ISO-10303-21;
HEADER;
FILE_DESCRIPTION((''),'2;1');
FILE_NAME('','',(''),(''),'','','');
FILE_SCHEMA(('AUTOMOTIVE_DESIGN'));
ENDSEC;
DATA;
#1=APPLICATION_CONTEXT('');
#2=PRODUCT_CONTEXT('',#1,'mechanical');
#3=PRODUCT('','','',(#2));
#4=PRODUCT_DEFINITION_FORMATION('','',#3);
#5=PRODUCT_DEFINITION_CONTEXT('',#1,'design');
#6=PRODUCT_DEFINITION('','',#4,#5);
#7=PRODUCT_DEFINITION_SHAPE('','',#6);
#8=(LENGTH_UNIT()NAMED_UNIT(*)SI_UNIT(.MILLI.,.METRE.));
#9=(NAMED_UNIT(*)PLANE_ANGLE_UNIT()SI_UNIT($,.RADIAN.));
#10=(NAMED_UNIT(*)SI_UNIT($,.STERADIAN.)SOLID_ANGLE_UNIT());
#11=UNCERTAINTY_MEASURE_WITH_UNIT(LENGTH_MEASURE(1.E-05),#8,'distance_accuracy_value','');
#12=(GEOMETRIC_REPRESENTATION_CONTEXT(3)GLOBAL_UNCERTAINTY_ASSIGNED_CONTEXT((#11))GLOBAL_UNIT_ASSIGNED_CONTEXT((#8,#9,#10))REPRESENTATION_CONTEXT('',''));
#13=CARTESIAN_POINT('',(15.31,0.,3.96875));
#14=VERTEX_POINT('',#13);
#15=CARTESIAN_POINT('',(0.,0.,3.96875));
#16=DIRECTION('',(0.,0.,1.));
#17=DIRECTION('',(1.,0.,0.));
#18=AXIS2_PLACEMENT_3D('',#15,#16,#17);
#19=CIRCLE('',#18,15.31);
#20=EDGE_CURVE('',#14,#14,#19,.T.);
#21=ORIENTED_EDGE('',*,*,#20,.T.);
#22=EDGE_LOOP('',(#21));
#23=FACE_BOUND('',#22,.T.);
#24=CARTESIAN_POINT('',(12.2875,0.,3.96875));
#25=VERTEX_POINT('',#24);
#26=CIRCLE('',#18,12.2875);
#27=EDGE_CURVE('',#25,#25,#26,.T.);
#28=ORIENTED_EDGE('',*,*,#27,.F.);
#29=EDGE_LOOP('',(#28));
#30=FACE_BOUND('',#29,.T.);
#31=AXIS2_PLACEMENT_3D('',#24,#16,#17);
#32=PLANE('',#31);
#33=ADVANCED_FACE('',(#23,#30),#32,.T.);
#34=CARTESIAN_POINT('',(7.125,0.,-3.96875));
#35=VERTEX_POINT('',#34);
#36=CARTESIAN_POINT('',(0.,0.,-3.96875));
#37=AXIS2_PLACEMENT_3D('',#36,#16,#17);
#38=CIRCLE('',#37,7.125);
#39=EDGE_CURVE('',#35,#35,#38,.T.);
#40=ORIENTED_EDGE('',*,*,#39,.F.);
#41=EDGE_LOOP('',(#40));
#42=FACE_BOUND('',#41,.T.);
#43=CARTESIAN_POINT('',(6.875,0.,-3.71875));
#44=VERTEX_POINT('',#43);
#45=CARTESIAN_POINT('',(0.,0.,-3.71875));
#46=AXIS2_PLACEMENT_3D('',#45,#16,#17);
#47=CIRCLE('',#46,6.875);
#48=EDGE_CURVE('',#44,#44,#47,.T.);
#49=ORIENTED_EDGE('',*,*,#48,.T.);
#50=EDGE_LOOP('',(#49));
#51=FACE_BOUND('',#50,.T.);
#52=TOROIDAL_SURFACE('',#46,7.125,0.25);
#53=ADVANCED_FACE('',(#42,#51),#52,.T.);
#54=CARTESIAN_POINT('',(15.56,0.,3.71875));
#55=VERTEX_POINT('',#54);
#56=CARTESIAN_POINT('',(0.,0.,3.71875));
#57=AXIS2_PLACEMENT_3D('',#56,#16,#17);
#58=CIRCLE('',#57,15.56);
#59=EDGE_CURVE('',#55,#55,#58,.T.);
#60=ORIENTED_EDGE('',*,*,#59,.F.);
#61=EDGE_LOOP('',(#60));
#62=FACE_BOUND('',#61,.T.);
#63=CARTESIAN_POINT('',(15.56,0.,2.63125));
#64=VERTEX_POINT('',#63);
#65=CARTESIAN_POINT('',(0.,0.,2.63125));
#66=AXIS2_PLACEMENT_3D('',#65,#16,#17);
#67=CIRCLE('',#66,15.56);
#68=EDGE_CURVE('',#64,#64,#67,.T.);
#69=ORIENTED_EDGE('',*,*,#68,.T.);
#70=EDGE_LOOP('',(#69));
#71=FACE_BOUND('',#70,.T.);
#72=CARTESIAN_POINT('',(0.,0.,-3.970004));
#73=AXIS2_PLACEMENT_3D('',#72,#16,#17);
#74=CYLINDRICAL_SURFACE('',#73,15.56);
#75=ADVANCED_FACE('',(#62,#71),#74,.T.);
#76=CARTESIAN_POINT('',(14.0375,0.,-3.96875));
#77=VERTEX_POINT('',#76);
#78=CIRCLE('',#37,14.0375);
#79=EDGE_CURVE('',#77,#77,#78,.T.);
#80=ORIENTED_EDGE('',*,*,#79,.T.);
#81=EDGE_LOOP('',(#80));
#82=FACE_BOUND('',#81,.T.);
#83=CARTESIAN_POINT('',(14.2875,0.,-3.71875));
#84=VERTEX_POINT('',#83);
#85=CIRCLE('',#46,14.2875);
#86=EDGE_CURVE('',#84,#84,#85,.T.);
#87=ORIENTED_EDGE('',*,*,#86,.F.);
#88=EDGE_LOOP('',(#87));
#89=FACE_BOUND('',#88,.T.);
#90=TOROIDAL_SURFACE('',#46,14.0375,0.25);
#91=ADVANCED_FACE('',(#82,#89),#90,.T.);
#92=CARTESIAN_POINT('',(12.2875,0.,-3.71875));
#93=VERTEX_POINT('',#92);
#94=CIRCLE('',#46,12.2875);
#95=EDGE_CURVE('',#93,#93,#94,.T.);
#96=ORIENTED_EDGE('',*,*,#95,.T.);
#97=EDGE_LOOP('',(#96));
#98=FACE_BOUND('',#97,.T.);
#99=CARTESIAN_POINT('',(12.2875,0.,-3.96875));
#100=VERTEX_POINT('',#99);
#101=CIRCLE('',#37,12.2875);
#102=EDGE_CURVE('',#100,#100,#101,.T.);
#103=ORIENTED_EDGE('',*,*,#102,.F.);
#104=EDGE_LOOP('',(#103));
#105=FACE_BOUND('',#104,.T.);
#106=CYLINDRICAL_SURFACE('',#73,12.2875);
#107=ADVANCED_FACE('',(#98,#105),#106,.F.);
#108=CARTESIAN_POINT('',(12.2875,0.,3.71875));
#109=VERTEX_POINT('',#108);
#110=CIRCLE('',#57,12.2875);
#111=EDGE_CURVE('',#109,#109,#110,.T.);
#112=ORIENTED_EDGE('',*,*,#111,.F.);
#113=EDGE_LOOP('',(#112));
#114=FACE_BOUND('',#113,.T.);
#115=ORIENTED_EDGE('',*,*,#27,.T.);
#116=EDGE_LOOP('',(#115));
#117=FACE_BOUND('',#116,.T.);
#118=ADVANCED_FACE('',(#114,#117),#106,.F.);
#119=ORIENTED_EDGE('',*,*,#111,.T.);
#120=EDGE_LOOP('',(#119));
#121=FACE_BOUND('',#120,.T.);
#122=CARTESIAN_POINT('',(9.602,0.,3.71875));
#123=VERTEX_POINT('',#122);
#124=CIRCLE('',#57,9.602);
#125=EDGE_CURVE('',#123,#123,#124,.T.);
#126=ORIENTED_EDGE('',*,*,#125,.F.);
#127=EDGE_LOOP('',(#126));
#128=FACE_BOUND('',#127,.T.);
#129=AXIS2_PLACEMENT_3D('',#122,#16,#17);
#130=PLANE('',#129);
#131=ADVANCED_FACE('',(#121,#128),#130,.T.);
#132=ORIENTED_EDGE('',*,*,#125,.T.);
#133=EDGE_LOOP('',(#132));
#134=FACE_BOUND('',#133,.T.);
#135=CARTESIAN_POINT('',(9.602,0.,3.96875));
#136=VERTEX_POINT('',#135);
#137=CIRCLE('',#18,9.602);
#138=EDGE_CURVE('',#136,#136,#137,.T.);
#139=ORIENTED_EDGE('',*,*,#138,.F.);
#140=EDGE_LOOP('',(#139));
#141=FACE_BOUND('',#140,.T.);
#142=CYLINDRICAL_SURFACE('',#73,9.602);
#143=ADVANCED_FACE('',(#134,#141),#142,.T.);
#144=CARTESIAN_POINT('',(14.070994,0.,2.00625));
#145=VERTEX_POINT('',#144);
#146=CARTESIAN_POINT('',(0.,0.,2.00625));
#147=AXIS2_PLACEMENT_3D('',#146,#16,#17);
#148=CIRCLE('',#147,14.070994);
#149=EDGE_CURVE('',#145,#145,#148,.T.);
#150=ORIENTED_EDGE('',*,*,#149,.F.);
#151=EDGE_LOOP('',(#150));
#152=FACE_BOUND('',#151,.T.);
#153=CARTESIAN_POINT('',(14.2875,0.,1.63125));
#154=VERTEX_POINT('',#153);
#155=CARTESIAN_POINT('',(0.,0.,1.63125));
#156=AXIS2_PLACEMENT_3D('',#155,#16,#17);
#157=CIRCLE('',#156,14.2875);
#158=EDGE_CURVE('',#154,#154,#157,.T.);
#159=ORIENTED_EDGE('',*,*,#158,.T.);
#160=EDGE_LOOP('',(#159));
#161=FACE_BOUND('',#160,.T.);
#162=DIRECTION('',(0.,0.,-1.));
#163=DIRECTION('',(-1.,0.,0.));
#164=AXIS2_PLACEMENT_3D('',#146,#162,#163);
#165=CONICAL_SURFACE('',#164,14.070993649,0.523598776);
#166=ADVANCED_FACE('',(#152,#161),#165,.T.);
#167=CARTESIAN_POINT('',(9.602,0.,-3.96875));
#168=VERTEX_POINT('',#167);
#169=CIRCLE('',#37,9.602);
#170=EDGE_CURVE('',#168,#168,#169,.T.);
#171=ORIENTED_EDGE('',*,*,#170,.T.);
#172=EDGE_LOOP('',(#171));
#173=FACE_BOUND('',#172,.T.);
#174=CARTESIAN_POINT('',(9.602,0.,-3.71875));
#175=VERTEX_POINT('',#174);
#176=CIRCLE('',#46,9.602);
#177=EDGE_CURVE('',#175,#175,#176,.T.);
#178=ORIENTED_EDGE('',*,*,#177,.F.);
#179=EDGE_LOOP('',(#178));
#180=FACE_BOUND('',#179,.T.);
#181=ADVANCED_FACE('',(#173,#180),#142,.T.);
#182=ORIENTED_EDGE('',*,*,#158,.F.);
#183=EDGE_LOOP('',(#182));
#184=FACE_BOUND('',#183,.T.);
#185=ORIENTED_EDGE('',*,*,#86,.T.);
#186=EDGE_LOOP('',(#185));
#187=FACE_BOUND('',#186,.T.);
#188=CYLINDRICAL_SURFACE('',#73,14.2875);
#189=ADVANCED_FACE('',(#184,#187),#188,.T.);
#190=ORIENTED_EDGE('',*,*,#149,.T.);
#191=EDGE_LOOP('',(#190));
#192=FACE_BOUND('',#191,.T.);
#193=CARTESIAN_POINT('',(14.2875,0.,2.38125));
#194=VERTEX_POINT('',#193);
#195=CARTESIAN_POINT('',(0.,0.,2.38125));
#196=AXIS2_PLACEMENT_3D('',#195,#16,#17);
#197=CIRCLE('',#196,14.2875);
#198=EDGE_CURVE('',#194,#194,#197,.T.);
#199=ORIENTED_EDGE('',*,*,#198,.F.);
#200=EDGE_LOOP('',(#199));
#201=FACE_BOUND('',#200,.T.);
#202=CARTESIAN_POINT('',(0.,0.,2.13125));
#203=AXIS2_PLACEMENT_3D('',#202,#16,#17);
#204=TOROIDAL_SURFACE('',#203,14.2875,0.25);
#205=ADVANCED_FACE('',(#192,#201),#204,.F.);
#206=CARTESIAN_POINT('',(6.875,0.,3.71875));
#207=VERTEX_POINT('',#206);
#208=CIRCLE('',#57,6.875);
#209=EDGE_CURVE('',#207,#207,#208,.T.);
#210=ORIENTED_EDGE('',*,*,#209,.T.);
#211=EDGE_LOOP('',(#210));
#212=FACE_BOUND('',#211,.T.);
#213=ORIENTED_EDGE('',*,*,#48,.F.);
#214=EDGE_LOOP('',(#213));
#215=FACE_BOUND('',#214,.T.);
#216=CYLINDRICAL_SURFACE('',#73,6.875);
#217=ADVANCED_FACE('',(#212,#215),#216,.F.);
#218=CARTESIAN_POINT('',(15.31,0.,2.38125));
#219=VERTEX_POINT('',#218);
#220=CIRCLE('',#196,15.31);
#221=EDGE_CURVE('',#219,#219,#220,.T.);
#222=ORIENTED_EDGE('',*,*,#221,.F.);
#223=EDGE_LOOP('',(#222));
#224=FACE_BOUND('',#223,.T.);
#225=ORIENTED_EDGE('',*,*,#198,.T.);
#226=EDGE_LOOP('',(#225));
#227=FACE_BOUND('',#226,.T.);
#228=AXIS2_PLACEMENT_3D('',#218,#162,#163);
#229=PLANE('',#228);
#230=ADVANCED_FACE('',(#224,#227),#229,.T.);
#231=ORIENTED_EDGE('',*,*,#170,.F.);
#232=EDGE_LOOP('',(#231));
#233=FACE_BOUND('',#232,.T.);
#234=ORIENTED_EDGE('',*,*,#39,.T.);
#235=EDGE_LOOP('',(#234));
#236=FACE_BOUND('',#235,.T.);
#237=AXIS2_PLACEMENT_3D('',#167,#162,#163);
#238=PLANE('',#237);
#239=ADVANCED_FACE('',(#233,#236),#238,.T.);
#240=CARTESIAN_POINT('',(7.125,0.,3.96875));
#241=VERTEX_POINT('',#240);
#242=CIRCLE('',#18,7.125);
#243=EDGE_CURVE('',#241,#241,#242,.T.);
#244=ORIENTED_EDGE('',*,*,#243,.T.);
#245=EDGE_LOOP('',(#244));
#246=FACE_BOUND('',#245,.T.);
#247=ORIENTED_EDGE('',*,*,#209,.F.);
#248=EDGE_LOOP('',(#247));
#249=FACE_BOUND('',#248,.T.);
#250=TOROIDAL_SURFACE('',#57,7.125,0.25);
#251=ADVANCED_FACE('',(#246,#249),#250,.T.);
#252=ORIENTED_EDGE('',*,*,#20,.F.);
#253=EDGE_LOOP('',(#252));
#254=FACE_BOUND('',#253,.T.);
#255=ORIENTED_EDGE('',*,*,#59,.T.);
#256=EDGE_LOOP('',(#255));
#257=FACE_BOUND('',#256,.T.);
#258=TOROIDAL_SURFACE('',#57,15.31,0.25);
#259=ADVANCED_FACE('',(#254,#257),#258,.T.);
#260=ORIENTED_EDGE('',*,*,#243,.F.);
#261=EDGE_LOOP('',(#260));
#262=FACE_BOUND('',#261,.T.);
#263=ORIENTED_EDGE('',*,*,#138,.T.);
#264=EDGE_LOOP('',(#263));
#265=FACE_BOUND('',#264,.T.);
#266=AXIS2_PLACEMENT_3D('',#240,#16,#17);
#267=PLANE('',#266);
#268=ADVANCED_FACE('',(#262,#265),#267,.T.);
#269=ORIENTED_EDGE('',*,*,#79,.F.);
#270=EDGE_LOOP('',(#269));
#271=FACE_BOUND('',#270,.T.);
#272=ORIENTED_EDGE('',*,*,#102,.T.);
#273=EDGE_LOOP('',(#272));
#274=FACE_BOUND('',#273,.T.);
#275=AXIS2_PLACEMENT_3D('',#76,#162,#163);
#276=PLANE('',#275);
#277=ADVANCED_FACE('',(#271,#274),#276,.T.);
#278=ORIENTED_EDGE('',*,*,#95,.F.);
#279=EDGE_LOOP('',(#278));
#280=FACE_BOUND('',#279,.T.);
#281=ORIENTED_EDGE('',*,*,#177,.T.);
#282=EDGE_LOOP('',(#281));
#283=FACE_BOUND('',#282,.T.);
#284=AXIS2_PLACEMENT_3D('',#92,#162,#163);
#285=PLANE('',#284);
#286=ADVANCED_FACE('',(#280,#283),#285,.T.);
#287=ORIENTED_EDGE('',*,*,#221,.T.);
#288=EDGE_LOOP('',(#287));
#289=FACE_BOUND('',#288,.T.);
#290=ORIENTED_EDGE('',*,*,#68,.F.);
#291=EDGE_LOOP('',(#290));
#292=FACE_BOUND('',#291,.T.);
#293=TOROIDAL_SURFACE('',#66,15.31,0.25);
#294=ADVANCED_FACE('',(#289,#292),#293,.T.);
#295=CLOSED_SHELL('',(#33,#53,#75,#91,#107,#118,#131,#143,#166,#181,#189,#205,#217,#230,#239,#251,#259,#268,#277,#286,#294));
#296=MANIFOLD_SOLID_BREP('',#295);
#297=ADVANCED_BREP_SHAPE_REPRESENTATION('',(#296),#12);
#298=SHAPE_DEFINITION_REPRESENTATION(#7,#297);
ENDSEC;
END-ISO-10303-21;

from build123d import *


with BuildPart() as part:
    # Sketch1 → Revolve1 (revolve)
    with BuildSketch(Plane(origin=(0, 0, 0), x_dir=(1, 0, 0), z_dir=(0, 1, 0))):
        with BuildLine():
            Line((14.0375, 3.96875), (12.2875, 3.96875))
            Line((12.2875, 3.96875), (12.2875, 3.71875))
            Line((12.2875, 3.71875), (9.602, 3.71875))
            Line((9.602, 3.71875), (9.602, 3.96875))
            Line((9.602, 3.96875), (7.125, 3.96875))
            ThreePointArc((7.125, 3.96875), (6.948223305, 3.895526695), (6.875, 3.71875))
            Line((6.875, 3.71875), (6.875, -3.71875))
            ThreePointArc((6.875, -3.71875), (6.948223305, -3.895526695), (7.125, -3.96875))
            Line((7.125, -3.96875), (9.602, -3.96875))
            Line((9.602, -3.96875), (9.602, -3.71875))
            Line((9.602, -3.71875), (12.2875, -3.71875))
            Line((12.2875, -3.71875), (12.2875, -3.96875))
            Line((12.2875, -3.96875), (15.31, -3.96875))
            ThreePointArc((15.31, -3.96875), (15.486776695, -3.895526695), (15.56, -3.71875))
            Line((15.56, -3.71875), (15.56, -2.63125))
            ThreePointArc((15.56, -2.63125), (15.486776695, -2.454473305), (15.31, -2.38125))
            Line((15.31, -2.38125), (14.2875, -2.38125))
            ThreePointArc((14.2875, -2.38125), (14.070993649, -2.25625), (14.070993649, -2.00625))
            Line((14.070993649, -2.00625), (14.2875, -1.63125))
            Line((14.2875, -1.63125), (14.2875, 3.71875))
            ThreePointArc((14.2875, 3.71875), (14.214276695, 3.895526695), (14.0375, 3.96875))
        make_face()
    revolve(axis=Axis((0, 0, -3.970003994), (0, 0, 1)))


solid = part.part
